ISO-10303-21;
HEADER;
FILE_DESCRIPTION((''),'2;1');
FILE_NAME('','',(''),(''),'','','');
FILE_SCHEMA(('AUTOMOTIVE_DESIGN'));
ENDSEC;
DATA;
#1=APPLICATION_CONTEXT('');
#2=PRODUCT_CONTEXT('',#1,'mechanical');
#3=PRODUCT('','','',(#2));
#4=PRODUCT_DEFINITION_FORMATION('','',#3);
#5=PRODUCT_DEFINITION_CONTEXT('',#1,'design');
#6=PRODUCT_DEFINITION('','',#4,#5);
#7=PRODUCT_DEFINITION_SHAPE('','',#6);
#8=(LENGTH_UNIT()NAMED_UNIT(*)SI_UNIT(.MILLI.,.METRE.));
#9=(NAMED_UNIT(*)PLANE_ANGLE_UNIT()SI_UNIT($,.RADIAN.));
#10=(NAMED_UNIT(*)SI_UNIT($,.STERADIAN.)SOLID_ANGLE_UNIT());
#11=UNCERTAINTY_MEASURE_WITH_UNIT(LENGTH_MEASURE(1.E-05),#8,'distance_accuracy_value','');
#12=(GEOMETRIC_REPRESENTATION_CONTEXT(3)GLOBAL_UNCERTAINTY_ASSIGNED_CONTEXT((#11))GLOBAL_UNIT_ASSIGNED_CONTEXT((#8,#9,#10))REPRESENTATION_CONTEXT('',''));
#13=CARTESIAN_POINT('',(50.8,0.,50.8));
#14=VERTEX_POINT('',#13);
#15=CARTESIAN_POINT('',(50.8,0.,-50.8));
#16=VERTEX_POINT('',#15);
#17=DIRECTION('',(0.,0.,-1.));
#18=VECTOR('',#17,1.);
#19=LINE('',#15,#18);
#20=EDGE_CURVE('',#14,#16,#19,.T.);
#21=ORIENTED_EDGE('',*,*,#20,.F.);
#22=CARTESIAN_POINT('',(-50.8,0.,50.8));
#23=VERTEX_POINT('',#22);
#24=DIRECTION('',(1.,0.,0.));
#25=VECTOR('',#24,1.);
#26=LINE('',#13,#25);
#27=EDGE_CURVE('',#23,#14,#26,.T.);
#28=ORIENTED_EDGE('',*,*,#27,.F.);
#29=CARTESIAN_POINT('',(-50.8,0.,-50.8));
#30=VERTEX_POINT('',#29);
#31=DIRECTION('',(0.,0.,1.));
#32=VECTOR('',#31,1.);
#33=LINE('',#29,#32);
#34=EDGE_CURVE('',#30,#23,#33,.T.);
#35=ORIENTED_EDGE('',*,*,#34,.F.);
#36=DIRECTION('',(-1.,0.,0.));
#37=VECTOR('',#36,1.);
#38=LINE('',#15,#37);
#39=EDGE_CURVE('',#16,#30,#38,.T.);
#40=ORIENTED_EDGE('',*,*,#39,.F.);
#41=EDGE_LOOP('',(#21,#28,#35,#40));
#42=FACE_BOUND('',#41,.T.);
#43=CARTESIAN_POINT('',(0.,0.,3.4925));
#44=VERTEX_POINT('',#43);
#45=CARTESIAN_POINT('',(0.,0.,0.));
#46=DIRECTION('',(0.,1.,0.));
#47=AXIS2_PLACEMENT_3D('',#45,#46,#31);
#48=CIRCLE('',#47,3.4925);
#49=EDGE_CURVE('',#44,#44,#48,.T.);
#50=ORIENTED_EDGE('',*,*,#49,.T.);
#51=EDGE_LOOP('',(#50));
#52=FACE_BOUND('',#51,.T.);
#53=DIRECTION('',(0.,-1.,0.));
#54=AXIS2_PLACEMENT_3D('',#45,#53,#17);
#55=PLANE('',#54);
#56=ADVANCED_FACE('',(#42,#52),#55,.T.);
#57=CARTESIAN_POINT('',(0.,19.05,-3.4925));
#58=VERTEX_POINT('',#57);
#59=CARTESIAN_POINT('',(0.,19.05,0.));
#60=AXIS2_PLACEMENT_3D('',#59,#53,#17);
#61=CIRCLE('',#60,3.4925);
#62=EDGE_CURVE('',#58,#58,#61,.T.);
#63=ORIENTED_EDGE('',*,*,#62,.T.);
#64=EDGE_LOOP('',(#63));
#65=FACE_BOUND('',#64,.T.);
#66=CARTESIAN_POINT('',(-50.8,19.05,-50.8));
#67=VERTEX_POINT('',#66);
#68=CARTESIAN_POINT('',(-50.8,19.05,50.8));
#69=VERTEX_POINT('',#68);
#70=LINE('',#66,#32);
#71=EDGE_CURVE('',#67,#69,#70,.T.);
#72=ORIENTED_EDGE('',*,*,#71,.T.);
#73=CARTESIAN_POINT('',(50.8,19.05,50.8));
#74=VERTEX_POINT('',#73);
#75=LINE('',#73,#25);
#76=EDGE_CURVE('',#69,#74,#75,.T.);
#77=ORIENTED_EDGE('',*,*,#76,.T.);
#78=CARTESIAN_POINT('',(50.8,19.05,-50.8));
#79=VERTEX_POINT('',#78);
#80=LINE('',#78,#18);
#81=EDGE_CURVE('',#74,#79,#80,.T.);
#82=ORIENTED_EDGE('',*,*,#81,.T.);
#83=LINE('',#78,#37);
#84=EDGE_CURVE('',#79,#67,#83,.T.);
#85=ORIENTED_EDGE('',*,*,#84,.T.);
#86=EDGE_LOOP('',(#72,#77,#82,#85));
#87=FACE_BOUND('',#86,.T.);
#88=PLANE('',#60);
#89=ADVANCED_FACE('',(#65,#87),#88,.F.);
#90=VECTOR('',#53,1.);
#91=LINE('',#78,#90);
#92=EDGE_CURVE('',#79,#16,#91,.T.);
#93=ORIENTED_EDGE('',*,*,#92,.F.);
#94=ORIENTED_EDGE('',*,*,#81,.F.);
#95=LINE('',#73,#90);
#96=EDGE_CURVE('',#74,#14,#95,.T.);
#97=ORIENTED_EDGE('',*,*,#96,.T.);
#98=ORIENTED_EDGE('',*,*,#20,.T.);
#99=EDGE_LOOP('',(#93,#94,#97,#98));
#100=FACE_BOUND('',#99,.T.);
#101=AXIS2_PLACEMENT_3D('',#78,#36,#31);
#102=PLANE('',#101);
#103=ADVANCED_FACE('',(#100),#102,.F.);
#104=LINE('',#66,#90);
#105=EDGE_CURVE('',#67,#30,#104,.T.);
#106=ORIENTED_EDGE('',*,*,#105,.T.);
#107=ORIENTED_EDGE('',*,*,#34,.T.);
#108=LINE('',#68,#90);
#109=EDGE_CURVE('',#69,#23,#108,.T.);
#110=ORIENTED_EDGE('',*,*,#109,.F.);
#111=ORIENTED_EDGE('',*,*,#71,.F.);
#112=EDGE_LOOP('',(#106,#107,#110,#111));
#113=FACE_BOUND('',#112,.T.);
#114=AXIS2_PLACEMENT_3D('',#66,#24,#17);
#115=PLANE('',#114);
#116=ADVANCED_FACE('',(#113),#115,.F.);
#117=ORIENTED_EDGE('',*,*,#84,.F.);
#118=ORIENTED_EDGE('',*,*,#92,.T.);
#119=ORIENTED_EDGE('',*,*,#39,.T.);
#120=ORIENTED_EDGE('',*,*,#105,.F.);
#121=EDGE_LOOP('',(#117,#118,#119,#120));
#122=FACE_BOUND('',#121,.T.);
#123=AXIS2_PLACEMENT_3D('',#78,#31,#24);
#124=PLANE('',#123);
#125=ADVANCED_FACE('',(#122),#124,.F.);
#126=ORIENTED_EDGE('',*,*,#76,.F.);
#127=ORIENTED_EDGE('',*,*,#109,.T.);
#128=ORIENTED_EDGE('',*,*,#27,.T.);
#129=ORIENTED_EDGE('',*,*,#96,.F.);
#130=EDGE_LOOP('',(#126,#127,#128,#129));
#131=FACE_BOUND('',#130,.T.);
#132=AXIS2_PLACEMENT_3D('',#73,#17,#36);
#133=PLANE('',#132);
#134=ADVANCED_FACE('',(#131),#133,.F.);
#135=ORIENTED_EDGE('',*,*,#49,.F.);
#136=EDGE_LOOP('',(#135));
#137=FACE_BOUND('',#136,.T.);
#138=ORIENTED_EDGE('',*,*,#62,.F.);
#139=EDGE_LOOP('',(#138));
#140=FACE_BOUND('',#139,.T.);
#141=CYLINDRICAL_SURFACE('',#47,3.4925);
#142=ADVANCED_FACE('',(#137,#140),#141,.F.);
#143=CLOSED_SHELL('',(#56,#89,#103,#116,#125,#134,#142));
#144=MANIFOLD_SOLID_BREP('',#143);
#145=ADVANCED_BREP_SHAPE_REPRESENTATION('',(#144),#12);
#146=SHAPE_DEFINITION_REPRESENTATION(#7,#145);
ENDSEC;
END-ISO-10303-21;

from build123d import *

# Parameters (mm, degrees)
SKETCH1_W               = 101.6
SKETCH1_H               = 101.6
BOSS_EXTRUDE1_DEPTH     = 19.05
SKETCH2_R               = 3.4925
CUT_EXTRUDE1_DEPTH      = 1
CUT_EXTRUDE1_DEPTH_BACK = 20.05


with BuildPart() as part:
    # Sketch1 → Boss-Extrude1 (new body)
    with BuildSketch(Plane(origin=(0, 0, 0), x_dir=(1, 0, 0), z_dir=(0, 1, 0))):
        Rectangle(SKETCH1_W, SKETCH1_H)
    extrude(amount=BOSS_EXTRUDE1_DEPTH)

    # Sketch2 → Cut-Extrude1 (cut, two sides)
    with BuildSketch(Plane(origin=(0, 19.05, 0), x_dir=(1, 0, 0), z_dir=(0, 1, 0))) as cut_extrude1_sk:
        Circle(SKETCH2_R)
    extrude(amount=CUT_EXTRUDE1_DEPTH, mode=Mode.SUBTRACT)
    extrude(cut_extrude1_sk.sketch, amount=-CUT_EXTRUDE1_DEPTH_BACK, mode=Mode.SUBTRACT)


solid = part.part
